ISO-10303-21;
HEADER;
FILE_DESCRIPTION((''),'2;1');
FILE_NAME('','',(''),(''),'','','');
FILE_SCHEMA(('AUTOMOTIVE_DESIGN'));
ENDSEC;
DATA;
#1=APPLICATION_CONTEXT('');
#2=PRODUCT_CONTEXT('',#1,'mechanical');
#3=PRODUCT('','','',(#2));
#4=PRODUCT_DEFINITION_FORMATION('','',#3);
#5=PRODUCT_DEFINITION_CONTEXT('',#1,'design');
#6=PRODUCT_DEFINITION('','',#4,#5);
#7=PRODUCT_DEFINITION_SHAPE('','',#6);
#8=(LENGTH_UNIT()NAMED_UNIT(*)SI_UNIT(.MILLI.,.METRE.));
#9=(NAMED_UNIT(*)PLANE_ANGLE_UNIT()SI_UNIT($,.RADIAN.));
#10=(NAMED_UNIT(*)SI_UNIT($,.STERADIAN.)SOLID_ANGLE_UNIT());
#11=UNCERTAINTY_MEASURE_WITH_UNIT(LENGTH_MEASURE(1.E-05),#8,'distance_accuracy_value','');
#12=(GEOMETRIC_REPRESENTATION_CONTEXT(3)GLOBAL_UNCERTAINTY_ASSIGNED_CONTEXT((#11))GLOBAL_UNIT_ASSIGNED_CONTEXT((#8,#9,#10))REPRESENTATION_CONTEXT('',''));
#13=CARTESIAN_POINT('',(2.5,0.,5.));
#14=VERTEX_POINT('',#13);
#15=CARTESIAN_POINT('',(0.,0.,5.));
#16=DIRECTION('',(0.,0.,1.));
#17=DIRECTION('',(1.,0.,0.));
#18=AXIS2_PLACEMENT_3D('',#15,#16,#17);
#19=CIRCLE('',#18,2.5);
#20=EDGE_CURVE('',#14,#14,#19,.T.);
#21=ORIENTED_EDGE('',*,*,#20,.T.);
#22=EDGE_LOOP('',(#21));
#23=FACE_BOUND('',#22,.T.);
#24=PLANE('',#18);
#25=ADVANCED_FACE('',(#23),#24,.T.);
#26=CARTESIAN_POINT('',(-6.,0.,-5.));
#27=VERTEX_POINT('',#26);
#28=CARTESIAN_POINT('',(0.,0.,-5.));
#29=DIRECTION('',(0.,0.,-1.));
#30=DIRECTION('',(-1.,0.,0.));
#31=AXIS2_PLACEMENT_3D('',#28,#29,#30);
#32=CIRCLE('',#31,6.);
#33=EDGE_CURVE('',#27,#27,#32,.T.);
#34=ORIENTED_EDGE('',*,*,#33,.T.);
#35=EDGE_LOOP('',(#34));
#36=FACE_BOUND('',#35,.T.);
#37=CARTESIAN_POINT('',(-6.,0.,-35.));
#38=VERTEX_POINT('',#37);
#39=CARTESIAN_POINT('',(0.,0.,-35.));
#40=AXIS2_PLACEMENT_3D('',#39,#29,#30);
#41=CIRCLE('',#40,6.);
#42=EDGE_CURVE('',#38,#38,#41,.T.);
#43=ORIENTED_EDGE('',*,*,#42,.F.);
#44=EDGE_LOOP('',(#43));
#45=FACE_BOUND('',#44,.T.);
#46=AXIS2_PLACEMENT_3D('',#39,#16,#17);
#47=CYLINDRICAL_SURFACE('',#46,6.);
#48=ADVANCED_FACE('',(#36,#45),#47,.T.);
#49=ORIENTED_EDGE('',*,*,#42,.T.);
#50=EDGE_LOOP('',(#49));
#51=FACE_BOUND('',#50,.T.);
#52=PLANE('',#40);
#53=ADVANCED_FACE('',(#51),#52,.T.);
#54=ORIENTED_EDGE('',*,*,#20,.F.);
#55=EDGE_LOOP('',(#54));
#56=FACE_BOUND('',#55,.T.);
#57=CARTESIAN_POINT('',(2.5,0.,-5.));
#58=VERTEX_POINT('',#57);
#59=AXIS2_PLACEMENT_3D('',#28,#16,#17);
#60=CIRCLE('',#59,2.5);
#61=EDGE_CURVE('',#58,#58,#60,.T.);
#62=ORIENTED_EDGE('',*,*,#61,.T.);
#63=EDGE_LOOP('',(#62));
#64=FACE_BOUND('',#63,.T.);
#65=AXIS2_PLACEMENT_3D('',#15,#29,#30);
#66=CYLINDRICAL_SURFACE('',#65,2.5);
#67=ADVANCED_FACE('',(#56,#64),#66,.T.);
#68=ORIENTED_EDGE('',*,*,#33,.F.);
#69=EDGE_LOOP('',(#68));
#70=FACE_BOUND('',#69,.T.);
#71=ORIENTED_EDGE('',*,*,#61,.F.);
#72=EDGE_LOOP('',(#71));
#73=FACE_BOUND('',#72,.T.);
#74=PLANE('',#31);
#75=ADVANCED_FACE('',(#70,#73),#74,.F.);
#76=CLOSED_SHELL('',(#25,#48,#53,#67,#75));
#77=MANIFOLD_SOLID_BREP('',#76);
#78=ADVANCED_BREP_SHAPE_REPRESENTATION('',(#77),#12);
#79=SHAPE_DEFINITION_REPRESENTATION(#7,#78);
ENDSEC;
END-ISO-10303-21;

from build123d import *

# Parameters (mm, degrees)
SKETCH_1_R      = 2.5
EXTRUDE_1_DEPTH = 5
SKETCH_2_R      = 6
EXTRUDE_2_DEPTH = 30


with BuildPart() as part:
    # 草图1 → 凸台-拉伸1 (new, symmetric)
    with BuildSketch(Plane.XY):
        Circle(SKETCH_1_R)
    extrude(amount=EXTRUDE_1_DEPTH, both=True)

    # 草图2 → 凸台-拉伸2 (add)
    with BuildSketch(Plane(origin=(0, 0, -5), x_dir=(-1, 0, 0), z_dir=(0, 0, -1))):
        Circle(SKETCH_2_R)
    extrude(amount=EXTRUDE_2_DEPTH)


solid = part.part
